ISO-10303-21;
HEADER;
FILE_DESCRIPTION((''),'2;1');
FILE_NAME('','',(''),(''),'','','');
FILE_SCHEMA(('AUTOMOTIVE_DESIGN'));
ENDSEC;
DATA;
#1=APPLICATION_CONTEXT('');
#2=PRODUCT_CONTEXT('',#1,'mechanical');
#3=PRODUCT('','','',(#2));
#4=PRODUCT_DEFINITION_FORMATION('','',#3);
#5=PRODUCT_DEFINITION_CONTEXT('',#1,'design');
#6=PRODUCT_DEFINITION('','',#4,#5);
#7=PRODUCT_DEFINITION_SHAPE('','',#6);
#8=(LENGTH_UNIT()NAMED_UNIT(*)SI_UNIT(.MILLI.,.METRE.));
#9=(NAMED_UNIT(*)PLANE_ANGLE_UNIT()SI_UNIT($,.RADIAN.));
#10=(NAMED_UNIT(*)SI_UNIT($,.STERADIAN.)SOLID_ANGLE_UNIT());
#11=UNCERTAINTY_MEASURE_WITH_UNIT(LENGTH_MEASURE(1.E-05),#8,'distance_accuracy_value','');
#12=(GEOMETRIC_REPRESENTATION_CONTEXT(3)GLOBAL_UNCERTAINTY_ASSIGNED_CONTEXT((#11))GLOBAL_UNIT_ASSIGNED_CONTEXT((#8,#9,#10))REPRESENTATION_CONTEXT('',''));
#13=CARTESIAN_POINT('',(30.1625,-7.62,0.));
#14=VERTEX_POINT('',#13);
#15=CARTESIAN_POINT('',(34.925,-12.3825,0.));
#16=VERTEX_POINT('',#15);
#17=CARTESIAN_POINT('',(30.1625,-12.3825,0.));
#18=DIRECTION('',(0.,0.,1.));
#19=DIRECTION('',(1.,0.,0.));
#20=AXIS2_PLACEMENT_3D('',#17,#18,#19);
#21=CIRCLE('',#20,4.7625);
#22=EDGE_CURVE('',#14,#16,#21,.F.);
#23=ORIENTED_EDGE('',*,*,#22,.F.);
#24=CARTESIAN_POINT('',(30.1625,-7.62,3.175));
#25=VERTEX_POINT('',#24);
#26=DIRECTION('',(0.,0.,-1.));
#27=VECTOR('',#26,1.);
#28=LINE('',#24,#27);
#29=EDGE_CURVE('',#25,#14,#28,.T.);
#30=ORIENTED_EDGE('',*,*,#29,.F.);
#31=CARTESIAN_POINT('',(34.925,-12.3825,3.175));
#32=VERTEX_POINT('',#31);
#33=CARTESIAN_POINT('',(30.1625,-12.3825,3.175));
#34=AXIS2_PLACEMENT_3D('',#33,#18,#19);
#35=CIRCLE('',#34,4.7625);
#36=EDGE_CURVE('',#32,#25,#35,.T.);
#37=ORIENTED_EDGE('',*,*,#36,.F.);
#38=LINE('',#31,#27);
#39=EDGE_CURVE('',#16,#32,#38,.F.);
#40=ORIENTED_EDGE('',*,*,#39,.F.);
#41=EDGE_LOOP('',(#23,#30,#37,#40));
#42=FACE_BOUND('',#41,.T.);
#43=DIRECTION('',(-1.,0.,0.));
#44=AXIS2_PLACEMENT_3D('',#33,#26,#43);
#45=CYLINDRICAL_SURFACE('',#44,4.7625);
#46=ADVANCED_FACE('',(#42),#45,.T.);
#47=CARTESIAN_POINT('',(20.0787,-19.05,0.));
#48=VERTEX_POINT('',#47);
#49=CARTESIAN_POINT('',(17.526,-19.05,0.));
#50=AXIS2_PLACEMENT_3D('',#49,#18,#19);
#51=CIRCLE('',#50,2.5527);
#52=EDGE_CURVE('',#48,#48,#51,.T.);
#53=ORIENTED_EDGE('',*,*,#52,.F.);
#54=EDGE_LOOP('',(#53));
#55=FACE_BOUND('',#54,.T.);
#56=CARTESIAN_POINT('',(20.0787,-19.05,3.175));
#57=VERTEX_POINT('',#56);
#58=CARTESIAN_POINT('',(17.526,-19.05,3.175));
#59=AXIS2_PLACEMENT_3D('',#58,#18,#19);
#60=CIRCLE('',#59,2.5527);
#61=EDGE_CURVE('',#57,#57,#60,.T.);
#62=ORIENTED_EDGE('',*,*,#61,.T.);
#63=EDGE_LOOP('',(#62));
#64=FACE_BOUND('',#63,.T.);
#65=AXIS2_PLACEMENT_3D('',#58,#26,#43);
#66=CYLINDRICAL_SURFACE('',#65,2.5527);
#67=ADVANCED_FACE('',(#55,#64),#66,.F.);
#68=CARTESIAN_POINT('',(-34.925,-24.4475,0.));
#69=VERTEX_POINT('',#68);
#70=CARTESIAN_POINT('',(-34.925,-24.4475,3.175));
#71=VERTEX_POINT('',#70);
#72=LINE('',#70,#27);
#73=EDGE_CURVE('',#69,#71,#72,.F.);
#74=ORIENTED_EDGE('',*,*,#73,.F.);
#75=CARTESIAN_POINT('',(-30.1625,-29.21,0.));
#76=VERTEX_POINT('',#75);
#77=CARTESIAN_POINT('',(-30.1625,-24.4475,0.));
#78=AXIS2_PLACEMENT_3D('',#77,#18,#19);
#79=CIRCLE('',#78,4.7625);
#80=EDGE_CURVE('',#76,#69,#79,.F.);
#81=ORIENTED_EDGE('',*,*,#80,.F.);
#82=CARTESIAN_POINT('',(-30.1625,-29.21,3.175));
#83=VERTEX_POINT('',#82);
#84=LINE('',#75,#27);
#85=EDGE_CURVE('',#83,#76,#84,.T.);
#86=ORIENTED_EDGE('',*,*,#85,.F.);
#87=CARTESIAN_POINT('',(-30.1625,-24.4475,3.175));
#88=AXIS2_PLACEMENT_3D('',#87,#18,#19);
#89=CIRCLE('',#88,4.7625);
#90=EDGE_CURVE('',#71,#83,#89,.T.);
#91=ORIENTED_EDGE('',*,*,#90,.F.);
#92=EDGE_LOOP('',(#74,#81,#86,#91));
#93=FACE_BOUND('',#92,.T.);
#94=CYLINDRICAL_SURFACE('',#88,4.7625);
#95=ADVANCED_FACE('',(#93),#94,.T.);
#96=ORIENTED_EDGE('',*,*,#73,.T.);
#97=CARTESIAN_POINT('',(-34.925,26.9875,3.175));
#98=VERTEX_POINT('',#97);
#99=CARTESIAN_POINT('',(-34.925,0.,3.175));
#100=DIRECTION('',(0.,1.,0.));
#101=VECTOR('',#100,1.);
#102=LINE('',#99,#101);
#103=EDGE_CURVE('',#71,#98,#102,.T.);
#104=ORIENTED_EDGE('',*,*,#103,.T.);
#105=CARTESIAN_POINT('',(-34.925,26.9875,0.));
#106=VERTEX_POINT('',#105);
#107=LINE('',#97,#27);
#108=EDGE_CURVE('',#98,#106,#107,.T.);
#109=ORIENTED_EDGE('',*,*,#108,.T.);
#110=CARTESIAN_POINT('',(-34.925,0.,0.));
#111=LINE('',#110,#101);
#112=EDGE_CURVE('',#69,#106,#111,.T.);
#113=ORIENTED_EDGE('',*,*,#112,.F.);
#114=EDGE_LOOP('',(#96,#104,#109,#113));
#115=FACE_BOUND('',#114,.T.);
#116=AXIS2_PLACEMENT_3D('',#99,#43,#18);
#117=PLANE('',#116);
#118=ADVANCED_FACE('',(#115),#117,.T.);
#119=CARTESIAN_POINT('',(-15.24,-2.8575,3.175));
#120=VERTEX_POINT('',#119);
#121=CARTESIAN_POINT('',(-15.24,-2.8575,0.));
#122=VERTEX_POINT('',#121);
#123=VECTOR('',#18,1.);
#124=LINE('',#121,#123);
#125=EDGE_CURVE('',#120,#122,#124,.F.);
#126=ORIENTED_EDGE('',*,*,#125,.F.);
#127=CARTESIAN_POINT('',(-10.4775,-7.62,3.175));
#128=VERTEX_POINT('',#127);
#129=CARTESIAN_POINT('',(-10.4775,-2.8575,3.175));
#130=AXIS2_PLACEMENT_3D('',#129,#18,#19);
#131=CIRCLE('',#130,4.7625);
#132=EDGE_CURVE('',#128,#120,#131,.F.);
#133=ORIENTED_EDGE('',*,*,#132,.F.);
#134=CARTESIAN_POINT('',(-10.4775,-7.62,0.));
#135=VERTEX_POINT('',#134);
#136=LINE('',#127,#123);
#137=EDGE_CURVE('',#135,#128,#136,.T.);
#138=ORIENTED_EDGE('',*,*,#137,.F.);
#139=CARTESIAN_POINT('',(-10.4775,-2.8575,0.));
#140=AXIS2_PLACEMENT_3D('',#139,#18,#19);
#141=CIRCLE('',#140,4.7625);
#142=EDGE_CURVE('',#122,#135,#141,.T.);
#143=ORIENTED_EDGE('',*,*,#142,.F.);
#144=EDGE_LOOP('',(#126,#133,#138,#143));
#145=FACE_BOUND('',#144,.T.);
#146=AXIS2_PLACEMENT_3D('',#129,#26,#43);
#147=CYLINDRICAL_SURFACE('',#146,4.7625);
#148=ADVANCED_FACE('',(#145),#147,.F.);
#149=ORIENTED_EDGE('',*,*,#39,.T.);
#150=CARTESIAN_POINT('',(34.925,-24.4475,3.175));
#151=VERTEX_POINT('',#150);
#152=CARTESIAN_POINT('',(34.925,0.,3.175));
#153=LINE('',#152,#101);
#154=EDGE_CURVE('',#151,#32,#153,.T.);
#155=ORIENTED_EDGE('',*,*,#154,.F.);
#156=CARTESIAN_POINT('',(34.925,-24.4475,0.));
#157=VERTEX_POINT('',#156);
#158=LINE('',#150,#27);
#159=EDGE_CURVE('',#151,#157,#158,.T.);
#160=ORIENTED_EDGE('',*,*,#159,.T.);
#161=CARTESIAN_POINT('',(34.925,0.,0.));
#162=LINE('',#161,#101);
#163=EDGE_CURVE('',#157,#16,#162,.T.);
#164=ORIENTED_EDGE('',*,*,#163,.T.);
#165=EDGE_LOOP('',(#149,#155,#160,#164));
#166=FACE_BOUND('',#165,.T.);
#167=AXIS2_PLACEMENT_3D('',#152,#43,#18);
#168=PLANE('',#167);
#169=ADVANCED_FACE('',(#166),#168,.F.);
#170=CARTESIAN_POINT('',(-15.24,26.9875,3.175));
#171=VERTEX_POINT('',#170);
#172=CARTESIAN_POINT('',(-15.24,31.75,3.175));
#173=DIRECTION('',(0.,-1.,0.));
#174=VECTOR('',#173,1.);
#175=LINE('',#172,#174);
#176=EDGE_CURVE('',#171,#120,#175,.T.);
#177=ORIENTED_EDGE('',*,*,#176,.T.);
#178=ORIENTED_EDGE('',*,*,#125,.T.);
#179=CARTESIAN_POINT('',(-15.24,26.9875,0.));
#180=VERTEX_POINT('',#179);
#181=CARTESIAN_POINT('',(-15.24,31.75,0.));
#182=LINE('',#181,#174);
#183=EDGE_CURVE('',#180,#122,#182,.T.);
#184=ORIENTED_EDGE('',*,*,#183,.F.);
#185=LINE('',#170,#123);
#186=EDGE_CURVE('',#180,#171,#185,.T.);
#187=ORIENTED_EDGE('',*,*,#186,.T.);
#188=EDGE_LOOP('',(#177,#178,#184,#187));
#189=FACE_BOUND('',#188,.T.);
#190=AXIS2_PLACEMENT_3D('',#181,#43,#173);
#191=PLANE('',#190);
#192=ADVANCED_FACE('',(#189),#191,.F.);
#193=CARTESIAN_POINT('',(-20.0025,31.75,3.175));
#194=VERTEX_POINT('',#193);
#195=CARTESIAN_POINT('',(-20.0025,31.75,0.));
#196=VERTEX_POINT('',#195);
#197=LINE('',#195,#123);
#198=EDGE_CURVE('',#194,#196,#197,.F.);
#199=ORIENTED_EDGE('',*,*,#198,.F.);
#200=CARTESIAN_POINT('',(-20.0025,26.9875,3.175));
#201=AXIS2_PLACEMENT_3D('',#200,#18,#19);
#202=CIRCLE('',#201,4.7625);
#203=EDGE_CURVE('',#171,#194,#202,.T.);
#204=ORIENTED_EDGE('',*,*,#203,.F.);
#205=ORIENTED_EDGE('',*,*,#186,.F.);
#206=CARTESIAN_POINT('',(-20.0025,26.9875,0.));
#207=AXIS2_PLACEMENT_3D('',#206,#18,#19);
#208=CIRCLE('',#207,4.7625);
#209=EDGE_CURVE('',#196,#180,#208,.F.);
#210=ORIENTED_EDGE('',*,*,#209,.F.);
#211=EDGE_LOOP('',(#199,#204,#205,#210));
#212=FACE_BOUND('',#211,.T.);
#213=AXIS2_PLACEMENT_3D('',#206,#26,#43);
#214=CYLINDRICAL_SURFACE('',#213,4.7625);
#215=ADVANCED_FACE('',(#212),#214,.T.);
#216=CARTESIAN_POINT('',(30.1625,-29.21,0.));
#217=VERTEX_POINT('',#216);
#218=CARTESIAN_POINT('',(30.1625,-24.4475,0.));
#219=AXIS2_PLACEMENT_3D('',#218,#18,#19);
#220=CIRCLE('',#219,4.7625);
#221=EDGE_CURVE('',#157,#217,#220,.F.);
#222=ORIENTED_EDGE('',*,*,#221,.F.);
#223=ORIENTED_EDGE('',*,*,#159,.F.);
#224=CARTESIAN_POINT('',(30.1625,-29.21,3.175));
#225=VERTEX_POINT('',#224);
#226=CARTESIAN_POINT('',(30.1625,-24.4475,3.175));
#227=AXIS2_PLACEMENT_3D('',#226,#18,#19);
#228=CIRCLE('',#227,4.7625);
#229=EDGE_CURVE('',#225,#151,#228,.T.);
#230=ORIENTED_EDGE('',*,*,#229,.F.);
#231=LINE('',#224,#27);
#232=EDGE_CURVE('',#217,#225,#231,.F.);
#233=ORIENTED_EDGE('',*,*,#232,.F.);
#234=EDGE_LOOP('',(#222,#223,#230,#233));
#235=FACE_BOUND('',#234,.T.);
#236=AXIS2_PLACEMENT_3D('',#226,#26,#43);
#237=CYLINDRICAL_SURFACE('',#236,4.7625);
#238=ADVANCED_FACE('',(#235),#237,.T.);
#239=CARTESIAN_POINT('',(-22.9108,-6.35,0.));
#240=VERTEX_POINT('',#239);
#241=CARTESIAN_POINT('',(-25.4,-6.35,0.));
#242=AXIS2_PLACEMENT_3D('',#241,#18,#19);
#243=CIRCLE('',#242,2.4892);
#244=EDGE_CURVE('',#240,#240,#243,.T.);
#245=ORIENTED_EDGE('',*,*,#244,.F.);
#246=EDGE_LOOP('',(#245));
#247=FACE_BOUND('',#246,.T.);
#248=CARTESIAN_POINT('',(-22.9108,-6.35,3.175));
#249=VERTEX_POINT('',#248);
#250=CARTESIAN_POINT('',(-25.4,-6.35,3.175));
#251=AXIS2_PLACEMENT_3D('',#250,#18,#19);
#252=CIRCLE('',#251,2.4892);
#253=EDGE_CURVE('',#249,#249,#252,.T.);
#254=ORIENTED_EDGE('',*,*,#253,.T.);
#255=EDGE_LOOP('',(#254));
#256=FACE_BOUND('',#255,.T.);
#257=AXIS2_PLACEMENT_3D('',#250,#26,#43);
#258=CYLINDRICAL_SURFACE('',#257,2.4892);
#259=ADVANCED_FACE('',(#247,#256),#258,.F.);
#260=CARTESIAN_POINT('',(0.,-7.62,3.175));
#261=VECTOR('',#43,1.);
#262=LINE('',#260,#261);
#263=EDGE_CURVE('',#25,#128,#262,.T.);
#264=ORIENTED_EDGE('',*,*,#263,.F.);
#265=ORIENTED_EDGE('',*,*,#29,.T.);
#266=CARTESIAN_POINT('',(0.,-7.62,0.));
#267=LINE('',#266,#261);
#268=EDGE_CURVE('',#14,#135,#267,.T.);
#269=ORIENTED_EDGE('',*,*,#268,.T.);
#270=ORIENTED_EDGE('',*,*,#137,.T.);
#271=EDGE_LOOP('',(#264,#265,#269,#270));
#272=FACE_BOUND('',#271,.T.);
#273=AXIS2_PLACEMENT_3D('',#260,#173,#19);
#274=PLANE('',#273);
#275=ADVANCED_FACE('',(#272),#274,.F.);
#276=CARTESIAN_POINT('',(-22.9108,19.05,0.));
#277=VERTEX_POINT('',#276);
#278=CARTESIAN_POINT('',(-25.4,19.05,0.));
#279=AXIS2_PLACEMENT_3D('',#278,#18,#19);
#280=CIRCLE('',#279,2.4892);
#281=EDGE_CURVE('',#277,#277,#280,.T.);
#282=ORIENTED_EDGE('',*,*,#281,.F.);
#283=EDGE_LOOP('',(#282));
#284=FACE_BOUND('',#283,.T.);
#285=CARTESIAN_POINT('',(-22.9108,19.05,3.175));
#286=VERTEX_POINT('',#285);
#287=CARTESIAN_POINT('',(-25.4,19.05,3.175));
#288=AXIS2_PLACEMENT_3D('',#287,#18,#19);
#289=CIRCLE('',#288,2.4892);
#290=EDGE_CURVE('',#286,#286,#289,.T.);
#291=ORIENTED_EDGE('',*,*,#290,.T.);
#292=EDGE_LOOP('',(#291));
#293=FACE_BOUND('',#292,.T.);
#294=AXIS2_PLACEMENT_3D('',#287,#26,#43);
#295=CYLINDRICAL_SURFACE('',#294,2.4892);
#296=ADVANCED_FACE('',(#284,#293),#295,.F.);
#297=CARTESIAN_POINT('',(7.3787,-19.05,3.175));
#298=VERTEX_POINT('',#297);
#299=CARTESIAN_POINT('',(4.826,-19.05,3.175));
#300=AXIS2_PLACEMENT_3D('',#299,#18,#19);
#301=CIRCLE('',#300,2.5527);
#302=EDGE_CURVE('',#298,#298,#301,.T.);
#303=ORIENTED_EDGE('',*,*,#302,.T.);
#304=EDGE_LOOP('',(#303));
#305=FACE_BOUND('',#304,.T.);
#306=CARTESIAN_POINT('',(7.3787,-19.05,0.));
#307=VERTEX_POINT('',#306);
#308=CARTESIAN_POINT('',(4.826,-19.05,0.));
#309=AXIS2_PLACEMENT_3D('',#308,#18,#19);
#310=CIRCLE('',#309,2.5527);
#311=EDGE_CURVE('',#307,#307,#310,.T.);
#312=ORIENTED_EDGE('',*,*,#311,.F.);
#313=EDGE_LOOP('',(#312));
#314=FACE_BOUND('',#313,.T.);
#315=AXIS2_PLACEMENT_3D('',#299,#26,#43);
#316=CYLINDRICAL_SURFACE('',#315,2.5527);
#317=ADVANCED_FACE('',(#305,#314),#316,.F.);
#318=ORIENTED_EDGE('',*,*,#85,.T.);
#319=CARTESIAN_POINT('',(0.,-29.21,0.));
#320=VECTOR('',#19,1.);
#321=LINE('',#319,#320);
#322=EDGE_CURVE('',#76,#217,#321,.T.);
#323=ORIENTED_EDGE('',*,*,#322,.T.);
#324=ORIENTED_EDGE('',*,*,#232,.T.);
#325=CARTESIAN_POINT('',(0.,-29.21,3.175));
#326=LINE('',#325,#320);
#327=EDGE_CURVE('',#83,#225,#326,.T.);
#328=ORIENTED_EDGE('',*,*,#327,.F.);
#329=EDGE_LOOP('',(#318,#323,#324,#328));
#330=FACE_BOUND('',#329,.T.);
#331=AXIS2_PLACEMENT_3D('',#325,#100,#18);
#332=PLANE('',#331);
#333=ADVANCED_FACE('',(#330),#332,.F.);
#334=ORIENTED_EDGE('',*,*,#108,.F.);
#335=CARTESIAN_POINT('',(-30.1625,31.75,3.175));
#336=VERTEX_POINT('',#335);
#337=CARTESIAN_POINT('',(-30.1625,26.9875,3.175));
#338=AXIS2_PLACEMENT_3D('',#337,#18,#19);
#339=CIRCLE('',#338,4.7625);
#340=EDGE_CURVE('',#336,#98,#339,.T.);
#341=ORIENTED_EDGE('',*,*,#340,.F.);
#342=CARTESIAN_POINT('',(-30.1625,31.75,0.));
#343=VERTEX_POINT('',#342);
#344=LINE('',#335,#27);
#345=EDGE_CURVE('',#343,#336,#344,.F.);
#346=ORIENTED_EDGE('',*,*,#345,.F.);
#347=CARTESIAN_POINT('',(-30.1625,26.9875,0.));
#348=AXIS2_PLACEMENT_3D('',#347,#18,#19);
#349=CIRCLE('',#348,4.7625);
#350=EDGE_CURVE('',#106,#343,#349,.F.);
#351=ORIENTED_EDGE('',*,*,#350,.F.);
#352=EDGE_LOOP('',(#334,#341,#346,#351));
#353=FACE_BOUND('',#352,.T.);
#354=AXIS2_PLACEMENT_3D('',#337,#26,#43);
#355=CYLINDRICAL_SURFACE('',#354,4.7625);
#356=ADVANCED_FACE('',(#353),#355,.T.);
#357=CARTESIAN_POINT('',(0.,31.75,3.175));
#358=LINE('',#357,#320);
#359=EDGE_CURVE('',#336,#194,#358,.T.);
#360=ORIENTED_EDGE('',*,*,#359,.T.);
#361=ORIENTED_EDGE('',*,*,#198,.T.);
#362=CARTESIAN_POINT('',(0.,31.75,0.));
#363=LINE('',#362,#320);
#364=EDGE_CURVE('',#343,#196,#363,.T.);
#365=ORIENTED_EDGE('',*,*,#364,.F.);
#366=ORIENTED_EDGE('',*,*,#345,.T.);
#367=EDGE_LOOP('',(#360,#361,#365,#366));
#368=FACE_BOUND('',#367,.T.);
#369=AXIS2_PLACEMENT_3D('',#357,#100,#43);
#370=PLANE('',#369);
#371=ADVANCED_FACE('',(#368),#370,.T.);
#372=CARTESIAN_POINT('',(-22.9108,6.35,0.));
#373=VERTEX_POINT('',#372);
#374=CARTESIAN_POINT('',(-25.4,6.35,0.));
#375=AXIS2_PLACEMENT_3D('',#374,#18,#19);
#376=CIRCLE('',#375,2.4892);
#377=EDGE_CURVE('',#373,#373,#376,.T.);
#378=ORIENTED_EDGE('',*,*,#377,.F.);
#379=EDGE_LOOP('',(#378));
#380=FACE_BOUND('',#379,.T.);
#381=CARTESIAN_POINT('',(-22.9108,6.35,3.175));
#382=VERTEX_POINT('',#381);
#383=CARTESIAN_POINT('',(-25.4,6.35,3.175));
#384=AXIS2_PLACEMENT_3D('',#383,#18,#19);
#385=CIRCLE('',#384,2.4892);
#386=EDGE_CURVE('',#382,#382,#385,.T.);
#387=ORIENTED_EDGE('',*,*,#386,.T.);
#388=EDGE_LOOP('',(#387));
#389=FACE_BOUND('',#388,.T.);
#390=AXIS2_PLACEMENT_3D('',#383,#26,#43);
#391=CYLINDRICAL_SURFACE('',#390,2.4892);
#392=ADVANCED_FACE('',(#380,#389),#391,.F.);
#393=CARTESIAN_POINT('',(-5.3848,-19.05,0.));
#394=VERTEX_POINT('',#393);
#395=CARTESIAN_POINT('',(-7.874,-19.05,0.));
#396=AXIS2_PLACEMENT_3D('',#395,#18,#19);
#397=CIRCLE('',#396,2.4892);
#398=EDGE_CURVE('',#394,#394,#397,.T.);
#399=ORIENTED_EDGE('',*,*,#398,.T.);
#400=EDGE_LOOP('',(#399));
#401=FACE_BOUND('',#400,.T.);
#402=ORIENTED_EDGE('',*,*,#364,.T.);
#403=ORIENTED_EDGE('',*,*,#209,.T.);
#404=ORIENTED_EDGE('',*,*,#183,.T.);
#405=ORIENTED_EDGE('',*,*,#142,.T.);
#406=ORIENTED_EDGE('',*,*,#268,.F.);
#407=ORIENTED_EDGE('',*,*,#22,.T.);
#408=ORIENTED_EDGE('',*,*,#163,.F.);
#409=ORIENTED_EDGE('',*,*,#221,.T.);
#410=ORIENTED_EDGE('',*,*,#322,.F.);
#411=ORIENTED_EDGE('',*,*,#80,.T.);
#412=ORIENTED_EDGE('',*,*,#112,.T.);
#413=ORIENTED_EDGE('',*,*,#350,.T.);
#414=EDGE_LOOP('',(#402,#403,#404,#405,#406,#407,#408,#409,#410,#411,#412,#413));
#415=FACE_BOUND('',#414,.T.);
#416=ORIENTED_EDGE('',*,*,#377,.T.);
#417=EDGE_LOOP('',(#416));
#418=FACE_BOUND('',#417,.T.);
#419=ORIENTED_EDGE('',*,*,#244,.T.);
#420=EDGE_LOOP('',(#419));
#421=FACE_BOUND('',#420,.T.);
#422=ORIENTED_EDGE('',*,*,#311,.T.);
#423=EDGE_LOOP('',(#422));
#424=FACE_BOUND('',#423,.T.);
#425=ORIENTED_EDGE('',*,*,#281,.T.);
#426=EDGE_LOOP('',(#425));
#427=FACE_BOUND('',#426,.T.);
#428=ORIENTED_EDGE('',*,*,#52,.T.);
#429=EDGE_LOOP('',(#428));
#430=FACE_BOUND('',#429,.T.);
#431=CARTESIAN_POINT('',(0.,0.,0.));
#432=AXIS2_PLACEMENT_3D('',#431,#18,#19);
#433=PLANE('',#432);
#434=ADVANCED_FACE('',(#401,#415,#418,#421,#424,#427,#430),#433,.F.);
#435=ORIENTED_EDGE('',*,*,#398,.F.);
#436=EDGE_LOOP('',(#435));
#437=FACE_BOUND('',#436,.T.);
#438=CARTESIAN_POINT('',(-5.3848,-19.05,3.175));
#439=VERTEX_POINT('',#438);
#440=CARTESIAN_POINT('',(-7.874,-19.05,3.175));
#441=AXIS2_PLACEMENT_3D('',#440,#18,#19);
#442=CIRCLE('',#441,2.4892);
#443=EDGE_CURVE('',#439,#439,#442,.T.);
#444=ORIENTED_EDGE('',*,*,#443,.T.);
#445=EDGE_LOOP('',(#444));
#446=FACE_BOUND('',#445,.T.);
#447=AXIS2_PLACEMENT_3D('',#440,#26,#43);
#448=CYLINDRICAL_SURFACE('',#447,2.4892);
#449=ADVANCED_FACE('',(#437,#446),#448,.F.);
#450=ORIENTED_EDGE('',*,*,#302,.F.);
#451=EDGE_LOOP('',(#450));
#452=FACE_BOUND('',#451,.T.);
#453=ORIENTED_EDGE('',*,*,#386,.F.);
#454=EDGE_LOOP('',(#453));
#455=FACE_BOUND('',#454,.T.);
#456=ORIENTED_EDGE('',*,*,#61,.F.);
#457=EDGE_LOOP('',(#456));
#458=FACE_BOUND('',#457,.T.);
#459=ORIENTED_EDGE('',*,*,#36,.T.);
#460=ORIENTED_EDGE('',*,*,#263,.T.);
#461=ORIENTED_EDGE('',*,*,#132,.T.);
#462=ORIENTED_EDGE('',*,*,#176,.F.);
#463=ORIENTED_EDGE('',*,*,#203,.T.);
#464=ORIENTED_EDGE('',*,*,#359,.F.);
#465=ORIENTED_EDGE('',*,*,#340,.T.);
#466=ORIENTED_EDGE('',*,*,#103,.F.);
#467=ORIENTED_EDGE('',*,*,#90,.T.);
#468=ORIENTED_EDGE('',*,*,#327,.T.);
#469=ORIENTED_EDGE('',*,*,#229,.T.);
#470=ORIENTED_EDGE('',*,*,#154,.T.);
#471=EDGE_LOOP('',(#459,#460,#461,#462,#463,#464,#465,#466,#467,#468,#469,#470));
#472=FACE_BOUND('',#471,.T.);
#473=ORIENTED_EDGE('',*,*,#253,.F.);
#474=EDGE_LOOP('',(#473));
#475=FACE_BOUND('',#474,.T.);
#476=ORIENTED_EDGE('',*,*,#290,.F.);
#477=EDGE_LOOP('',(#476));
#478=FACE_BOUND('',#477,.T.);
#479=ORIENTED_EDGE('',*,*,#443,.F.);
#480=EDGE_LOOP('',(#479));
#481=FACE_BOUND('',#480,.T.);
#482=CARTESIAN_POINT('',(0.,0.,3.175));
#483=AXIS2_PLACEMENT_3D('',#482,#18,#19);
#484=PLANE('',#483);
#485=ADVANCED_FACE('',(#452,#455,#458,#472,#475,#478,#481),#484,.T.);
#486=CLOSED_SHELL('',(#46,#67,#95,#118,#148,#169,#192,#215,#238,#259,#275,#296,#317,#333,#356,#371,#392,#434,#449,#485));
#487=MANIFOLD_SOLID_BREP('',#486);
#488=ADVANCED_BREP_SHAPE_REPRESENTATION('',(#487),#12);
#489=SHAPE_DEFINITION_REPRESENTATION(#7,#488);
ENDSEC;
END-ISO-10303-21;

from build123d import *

# Parameters (mm, degrees)
SKETCH1_R           = 2.4892
SKETCH1_R_2         = 2.5527
BOSS_EXTRUDE1_DEPTH = 3.175
SKETCH2_W           = 4.445
SKETCH2_H           = 39.37
CUT_EXTRUDE1_DEPTH  = 4.175
FILLET2_R           = 4.7625


with BuildPart() as part:
    # Sketch1 → Boss-Extrude1 (new body)
    with BuildSketch(Plane.XY):
        Polygon((-34.925, 31.75), (-34.925, -29.21), (34.925, -29.21), (34.925, -7.62), (-10.795, -7.62), (-10.795, 31.75), align=None)
        with Locations((-25.4, -19.05)):
            Circle(SKETCH1_R, mode=Mode.SUBTRACT)
        with Locations((-7.874, -19.05)):
            Circle(SKETCH1_R, mode=Mode.SUBTRACT)
        with Locations((-25.4, -6.35)):
            Circle(SKETCH1_R, mode=Mode.SUBTRACT)
        with Locations((4.826, -19.05)):
            Circle(SKETCH1_R_2, mode=Mode.SUBTRACT)
        with Locations((17.526, -19.05)):
            Circle(SKETCH1_R_2, mode=Mode.SUBTRACT)
        with Locations((-25.4, 6.35)):
            Circle(SKETCH1_R, mode=Mode.SUBTRACT)
        with Locations((-25.4, 19.05)):
            Circle(SKETCH1_R, mode=Mode.SUBTRACT)
        with Locations((-25.4, -19.05)):
            Circle(SKETCH1_R)
    extrude(amount=BOSS_EXTRUDE1_DEPTH)

    # Sketch2 → Cut-Extrude1 (cut, through all)
    with BuildSketch(Plane.XY.offset(3.175)):
        with Locations((-13.0175, 12.065)):
            Rectangle(SKETCH2_W, SKETCH2_H)
    extrude(amount=-CUT_EXTRUDE1_DEPTH, mode=Mode.SUBTRACT)

    # Fillet2
    fillet2_edges = [part.edges().sort_by_distance(p)[0] for p in [
        (-34.925, 31.75, 1.5875),
        (34.925, -7.62, 1.5875),
        (34.925, -29.21, 1.5875),
        (-34.925, -29.21, 1.5875),
        (-15.24, -7.62, 1.5875),
        (-15.24, 31.75, 1.5875),
    ]]
    fillet(fillet2_edges, radius=FILLET2_R)


solid = part.part
